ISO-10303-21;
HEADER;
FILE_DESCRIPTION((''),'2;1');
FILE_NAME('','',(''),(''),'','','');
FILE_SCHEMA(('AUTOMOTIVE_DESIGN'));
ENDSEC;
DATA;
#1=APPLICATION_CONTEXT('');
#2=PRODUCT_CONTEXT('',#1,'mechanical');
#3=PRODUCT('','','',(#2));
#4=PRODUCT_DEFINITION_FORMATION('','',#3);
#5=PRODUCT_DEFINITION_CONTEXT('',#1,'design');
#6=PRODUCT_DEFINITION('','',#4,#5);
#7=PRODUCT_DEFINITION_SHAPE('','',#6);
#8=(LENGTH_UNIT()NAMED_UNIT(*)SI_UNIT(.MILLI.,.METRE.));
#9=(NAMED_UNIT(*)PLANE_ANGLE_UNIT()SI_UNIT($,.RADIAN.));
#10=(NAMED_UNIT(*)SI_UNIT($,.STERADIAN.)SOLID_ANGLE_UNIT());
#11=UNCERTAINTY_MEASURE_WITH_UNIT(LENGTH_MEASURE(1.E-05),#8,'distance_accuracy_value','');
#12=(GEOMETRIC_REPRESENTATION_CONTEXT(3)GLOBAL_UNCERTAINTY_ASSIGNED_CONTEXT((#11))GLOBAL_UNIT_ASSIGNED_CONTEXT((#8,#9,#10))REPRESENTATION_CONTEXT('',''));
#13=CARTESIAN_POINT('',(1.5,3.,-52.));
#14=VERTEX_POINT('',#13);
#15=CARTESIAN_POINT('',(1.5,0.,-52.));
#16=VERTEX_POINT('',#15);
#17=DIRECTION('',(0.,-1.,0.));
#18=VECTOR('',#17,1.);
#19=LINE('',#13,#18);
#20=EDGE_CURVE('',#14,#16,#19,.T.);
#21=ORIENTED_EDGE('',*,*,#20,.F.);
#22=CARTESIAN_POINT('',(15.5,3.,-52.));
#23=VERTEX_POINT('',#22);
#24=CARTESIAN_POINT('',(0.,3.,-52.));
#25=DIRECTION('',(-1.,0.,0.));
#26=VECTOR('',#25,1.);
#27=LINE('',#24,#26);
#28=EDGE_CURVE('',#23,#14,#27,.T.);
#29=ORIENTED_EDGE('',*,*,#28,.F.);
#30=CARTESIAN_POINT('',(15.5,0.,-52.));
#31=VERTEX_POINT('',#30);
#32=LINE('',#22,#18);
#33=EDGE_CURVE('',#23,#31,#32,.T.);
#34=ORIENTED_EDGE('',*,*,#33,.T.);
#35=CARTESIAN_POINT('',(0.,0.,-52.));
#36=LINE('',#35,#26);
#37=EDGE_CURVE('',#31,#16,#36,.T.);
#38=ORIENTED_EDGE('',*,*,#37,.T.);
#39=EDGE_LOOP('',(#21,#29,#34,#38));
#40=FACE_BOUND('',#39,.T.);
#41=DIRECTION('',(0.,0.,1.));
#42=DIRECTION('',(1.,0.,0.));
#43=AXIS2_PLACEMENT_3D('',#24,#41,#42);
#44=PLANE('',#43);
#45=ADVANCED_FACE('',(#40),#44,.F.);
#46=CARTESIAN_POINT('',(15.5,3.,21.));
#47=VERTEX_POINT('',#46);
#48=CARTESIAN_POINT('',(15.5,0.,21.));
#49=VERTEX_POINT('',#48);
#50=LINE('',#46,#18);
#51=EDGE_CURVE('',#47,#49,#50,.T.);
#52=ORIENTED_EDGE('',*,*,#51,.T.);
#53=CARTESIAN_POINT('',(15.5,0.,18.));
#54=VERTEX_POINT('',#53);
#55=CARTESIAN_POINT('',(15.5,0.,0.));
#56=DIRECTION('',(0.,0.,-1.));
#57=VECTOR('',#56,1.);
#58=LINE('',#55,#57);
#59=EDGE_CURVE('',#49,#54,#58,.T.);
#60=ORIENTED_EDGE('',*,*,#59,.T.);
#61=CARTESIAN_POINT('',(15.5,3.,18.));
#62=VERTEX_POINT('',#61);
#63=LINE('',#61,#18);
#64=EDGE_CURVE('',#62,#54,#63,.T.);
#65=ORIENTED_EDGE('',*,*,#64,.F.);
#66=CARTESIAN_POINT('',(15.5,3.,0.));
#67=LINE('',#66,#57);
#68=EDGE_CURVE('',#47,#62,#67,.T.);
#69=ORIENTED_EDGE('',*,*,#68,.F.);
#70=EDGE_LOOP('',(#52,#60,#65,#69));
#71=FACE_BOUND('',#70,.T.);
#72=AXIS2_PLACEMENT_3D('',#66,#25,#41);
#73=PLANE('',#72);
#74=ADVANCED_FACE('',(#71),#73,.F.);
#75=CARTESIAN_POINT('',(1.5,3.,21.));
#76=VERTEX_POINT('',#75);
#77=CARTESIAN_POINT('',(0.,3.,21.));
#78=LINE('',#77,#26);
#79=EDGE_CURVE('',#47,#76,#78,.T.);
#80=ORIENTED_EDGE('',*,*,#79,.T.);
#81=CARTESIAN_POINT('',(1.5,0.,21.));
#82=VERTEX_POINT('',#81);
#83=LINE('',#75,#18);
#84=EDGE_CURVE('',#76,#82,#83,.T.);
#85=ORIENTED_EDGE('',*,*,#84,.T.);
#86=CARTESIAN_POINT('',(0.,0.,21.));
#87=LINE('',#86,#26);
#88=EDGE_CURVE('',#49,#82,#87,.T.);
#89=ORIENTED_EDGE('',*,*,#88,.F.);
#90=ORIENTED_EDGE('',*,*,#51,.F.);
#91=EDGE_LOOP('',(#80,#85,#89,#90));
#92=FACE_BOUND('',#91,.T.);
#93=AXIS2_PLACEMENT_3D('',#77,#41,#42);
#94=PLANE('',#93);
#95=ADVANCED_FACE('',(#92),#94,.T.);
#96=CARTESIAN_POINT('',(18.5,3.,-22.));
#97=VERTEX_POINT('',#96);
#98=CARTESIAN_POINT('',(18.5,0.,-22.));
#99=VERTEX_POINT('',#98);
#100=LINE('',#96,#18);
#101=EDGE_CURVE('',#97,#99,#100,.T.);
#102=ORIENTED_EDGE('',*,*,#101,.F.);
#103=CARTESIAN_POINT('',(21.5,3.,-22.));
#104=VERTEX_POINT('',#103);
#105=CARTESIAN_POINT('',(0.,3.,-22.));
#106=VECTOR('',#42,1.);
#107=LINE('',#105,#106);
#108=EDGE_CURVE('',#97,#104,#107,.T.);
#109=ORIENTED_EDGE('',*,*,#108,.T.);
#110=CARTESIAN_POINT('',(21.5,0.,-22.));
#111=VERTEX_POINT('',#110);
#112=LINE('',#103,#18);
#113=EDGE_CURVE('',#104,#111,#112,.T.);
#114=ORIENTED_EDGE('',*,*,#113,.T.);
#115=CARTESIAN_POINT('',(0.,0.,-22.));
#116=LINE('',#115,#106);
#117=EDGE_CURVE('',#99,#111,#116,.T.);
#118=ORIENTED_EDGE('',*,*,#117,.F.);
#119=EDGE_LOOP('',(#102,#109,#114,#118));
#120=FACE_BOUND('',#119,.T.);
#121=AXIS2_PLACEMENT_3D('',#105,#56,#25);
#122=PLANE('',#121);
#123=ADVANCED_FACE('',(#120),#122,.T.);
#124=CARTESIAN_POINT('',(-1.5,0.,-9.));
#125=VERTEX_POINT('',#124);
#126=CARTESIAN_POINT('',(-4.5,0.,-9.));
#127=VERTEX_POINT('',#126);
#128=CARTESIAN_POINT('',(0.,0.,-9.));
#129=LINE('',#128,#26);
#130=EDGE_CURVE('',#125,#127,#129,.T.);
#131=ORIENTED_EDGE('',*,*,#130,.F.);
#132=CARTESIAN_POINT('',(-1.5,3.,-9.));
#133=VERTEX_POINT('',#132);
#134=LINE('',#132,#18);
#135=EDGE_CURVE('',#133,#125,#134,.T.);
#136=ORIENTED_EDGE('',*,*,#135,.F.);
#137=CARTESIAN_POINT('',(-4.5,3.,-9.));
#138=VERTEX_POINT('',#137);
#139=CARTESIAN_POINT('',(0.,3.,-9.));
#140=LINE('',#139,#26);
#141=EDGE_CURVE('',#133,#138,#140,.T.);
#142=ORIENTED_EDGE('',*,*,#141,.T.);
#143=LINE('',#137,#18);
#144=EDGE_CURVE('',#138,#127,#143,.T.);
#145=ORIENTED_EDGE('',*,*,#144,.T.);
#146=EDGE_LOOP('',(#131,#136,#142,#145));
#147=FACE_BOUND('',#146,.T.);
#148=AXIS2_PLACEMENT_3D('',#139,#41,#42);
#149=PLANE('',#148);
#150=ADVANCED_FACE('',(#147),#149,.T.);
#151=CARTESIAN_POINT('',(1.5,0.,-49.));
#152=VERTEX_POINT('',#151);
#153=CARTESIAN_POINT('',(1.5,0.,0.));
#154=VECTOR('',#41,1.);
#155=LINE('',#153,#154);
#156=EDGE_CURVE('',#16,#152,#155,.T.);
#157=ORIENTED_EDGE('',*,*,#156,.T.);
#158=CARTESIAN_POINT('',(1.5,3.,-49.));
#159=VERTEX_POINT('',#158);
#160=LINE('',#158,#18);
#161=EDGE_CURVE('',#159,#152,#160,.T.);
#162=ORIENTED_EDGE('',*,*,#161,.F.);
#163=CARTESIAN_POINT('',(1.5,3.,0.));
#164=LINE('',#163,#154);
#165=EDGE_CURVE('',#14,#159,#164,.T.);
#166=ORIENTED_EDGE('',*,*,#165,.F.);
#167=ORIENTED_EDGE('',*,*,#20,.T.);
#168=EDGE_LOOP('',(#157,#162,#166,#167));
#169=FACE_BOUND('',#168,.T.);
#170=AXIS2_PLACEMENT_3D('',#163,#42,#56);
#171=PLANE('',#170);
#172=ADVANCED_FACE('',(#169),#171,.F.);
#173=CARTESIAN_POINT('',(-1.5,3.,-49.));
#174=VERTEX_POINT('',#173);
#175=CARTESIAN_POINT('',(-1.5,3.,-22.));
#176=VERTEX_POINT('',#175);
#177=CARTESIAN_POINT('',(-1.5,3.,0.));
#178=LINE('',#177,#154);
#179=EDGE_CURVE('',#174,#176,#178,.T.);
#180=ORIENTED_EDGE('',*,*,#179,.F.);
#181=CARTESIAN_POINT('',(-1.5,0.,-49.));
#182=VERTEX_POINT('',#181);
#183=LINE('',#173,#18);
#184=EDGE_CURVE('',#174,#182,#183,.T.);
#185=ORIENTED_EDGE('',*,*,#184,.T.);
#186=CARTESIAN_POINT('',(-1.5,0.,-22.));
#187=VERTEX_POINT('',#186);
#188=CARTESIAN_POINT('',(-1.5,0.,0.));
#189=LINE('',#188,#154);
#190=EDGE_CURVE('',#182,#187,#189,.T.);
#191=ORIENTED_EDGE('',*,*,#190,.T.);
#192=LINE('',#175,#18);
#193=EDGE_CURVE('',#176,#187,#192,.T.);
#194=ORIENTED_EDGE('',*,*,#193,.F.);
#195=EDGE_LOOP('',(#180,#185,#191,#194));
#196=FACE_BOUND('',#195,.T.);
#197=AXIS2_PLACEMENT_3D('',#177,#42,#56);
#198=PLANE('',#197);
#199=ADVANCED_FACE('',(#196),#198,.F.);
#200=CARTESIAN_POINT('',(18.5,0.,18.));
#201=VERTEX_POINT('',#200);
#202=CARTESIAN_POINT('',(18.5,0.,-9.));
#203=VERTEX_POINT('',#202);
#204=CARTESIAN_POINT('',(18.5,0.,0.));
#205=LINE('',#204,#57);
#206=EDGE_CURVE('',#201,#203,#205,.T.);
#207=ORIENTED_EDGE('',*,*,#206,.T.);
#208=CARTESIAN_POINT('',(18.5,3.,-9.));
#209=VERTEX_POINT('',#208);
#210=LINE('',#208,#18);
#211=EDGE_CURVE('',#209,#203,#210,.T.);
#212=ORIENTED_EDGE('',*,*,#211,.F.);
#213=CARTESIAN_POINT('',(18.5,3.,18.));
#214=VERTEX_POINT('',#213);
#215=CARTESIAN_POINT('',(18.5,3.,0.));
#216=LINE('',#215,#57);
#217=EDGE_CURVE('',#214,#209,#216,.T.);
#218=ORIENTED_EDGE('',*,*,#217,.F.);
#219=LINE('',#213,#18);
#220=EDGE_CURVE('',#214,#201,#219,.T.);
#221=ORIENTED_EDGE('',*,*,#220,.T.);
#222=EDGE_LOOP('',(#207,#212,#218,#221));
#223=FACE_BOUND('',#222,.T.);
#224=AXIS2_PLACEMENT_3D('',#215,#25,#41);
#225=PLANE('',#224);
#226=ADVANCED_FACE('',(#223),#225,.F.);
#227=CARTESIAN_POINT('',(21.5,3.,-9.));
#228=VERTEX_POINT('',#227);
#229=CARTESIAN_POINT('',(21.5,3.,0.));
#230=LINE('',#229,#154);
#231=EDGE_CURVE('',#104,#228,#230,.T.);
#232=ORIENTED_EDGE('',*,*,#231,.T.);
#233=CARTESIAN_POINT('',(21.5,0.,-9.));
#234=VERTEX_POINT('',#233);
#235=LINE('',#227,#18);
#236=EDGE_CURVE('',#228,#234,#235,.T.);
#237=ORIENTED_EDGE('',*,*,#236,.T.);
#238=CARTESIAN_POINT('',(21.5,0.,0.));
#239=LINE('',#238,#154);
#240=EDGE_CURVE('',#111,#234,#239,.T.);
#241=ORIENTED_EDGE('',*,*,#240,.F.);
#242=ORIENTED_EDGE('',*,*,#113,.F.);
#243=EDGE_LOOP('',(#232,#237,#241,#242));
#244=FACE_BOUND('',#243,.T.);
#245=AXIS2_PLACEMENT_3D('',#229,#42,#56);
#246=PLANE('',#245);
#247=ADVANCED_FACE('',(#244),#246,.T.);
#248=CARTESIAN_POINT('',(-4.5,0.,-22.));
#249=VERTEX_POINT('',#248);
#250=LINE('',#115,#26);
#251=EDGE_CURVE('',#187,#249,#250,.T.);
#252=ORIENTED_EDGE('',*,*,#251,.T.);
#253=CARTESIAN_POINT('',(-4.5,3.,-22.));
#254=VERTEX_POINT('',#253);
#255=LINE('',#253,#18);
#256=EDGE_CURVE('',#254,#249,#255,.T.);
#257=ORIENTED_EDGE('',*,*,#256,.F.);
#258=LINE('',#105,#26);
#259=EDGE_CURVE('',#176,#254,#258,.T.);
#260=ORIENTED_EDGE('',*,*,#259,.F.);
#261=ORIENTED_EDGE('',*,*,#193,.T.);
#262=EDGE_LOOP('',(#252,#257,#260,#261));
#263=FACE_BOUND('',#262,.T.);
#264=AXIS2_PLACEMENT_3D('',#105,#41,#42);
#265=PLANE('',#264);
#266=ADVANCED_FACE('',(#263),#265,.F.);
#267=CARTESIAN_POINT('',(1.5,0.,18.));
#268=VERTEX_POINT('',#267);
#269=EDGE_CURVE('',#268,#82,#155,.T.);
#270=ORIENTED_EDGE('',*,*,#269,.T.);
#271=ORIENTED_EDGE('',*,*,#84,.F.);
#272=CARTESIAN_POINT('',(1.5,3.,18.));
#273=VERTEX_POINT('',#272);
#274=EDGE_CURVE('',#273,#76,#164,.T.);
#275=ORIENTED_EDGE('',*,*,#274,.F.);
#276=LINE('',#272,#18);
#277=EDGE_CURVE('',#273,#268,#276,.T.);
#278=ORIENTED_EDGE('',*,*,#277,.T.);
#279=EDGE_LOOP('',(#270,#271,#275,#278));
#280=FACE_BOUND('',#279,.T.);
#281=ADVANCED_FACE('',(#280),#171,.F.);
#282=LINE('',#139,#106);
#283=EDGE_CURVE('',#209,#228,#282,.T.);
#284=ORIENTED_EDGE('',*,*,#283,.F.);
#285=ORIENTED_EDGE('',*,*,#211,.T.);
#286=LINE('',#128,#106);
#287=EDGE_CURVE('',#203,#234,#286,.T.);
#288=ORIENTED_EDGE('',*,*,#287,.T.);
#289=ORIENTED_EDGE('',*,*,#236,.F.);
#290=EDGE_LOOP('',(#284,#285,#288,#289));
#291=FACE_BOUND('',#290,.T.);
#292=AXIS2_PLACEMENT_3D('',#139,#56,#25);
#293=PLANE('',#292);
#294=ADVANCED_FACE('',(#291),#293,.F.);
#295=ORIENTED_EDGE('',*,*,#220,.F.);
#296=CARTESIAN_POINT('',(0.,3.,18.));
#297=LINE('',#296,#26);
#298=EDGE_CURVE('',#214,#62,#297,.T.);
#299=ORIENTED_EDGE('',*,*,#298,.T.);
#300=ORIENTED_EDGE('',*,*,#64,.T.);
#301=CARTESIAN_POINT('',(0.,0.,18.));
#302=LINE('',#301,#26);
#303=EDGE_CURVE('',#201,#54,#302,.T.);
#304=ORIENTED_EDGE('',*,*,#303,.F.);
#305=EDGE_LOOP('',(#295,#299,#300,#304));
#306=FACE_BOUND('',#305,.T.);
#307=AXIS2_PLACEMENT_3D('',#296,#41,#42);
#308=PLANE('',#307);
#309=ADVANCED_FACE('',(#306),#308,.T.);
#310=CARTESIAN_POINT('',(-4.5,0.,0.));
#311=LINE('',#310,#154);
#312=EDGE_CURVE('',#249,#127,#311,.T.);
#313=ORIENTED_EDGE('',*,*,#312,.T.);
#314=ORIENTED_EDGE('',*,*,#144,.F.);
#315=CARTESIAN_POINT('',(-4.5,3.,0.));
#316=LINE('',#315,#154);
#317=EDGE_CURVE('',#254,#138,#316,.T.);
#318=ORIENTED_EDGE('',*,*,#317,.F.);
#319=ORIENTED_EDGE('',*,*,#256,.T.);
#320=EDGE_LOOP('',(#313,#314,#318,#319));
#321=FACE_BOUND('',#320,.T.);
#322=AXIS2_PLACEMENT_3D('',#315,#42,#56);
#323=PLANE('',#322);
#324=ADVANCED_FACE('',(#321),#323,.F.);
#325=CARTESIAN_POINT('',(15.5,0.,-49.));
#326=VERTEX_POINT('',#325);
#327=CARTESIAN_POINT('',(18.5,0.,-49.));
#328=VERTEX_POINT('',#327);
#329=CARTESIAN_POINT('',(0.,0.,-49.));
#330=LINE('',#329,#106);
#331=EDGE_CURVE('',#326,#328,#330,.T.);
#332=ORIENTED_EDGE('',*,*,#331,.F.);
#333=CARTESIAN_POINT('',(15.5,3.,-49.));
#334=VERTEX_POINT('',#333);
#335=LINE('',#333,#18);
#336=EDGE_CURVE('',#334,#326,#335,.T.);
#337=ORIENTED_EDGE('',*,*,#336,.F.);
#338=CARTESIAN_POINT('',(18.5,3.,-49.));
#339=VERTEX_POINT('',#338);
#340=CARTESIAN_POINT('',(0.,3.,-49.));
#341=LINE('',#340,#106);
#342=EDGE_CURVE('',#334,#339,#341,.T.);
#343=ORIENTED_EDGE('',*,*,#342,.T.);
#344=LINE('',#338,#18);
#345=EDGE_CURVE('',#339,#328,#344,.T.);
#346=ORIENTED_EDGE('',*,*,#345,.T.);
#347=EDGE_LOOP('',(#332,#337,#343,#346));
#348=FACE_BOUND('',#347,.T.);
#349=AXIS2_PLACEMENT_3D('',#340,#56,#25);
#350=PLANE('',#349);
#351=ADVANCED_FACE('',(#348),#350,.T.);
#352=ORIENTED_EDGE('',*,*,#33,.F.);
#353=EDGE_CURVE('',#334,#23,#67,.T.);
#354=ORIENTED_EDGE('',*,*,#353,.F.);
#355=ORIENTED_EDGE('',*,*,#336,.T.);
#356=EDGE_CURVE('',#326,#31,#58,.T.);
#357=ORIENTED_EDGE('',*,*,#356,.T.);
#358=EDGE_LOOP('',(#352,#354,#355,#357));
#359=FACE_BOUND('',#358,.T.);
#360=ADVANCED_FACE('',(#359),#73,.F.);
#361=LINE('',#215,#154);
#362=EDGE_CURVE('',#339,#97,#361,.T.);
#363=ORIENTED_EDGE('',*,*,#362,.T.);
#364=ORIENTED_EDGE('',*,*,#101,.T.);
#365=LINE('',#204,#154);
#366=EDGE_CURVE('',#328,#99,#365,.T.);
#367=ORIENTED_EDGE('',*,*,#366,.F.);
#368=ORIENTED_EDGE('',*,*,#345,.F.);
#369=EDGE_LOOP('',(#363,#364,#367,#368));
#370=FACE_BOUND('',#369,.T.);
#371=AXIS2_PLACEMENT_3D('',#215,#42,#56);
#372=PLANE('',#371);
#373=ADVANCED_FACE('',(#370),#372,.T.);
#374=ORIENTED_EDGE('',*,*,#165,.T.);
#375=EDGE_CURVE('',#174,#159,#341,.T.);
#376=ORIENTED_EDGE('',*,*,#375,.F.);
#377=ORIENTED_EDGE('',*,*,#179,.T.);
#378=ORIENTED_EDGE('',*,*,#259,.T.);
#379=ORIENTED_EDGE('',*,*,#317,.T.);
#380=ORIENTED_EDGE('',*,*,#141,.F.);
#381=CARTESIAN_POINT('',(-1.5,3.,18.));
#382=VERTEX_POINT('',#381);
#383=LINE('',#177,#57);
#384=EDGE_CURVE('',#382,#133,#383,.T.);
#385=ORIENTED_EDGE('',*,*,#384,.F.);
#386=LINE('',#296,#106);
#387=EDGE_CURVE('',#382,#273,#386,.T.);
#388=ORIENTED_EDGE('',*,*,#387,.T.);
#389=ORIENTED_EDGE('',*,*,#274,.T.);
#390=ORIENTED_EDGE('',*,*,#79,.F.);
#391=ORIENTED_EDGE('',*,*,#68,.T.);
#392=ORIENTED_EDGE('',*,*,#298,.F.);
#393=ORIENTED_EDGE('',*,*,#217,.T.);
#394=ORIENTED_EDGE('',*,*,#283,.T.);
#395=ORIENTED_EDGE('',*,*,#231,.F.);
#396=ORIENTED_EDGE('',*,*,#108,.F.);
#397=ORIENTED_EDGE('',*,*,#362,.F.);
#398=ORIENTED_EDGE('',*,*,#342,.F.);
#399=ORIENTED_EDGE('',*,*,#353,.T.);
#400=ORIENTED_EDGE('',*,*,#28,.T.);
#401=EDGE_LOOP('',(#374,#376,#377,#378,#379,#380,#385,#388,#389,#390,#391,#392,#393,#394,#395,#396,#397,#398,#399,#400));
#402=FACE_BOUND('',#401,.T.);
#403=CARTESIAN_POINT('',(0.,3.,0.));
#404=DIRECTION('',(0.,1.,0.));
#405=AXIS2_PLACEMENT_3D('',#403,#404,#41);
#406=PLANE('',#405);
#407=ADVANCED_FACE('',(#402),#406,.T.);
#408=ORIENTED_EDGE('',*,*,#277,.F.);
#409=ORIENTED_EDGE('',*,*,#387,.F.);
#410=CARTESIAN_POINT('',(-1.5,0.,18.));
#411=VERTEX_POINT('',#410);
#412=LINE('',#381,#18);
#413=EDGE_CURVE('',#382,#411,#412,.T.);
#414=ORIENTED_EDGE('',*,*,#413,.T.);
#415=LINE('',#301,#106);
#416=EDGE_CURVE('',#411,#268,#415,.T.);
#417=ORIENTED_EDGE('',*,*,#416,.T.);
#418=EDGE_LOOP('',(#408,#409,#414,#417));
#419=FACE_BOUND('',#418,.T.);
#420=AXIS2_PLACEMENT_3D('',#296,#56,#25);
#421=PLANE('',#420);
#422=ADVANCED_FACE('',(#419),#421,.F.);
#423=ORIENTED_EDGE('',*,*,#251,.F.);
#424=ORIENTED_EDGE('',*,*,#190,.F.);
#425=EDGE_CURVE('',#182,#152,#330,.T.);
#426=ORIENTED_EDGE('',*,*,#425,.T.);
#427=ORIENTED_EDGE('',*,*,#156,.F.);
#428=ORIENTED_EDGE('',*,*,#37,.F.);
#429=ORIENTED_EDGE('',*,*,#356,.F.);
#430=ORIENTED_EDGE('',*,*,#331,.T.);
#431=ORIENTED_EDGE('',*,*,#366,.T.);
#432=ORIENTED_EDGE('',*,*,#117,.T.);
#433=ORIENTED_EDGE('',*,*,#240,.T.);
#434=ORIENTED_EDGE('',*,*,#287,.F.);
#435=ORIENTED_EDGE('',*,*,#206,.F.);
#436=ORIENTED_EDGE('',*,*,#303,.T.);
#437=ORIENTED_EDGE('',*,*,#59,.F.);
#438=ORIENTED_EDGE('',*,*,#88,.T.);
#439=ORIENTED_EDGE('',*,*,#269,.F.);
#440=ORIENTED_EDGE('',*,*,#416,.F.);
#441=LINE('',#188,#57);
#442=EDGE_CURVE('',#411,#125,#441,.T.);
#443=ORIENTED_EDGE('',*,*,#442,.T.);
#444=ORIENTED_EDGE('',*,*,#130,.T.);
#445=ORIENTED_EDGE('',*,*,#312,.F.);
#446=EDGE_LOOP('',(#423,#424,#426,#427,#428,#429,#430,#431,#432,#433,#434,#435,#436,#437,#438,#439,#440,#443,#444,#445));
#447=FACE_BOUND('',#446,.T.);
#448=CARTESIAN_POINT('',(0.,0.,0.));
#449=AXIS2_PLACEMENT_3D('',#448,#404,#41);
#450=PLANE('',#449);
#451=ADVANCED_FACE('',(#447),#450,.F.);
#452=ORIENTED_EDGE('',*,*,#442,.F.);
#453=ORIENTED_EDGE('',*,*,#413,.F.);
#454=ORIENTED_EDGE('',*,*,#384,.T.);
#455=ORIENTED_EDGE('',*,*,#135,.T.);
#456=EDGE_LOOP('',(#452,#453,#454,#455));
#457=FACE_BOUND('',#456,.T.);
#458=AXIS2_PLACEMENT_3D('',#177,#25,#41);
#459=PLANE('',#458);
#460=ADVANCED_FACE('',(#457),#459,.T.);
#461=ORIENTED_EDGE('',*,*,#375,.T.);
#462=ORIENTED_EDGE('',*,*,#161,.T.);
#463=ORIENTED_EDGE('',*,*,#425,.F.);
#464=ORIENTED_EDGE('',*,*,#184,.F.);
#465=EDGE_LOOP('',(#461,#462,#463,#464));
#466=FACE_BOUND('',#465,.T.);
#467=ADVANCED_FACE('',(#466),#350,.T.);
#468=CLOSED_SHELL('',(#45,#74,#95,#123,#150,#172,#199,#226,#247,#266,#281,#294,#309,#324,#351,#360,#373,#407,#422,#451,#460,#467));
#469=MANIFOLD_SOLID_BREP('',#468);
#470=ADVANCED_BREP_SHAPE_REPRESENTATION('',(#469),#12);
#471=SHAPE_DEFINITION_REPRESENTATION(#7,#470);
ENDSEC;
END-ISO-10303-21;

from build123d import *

# Parameters (mm, degrees)
SALIENTE_EXTRUIR1_DEPTH = 3


with BuildPart() as part:
    # Croquis2 → Saliente-Extruir1 (new body)
    with BuildSketch(Plane(origin=(0, 0, 0), x_dir=(1, 0, 0), z_dir=(0, 1, 0))):
        Polygon((-4.5, 22), (-4.5, 9), (-1.5, 9), (-1.5, -18), (1.5, -18), (1.5, -21), (15.5, -21), (15.5, -18), (18.5, -18), (18.5, 9), (21.5, 9), (21.5, 22), (18.5, 22), (18.5, 49), (15.5, 49), (15.5, 52), (1.5, 52), (1.5, 49), (-1.5, 49), (-1.5, 22), align=None)
    extrude(amount=SALIENTE_EXTRUIR1_DEPTH)


solid = part.part
